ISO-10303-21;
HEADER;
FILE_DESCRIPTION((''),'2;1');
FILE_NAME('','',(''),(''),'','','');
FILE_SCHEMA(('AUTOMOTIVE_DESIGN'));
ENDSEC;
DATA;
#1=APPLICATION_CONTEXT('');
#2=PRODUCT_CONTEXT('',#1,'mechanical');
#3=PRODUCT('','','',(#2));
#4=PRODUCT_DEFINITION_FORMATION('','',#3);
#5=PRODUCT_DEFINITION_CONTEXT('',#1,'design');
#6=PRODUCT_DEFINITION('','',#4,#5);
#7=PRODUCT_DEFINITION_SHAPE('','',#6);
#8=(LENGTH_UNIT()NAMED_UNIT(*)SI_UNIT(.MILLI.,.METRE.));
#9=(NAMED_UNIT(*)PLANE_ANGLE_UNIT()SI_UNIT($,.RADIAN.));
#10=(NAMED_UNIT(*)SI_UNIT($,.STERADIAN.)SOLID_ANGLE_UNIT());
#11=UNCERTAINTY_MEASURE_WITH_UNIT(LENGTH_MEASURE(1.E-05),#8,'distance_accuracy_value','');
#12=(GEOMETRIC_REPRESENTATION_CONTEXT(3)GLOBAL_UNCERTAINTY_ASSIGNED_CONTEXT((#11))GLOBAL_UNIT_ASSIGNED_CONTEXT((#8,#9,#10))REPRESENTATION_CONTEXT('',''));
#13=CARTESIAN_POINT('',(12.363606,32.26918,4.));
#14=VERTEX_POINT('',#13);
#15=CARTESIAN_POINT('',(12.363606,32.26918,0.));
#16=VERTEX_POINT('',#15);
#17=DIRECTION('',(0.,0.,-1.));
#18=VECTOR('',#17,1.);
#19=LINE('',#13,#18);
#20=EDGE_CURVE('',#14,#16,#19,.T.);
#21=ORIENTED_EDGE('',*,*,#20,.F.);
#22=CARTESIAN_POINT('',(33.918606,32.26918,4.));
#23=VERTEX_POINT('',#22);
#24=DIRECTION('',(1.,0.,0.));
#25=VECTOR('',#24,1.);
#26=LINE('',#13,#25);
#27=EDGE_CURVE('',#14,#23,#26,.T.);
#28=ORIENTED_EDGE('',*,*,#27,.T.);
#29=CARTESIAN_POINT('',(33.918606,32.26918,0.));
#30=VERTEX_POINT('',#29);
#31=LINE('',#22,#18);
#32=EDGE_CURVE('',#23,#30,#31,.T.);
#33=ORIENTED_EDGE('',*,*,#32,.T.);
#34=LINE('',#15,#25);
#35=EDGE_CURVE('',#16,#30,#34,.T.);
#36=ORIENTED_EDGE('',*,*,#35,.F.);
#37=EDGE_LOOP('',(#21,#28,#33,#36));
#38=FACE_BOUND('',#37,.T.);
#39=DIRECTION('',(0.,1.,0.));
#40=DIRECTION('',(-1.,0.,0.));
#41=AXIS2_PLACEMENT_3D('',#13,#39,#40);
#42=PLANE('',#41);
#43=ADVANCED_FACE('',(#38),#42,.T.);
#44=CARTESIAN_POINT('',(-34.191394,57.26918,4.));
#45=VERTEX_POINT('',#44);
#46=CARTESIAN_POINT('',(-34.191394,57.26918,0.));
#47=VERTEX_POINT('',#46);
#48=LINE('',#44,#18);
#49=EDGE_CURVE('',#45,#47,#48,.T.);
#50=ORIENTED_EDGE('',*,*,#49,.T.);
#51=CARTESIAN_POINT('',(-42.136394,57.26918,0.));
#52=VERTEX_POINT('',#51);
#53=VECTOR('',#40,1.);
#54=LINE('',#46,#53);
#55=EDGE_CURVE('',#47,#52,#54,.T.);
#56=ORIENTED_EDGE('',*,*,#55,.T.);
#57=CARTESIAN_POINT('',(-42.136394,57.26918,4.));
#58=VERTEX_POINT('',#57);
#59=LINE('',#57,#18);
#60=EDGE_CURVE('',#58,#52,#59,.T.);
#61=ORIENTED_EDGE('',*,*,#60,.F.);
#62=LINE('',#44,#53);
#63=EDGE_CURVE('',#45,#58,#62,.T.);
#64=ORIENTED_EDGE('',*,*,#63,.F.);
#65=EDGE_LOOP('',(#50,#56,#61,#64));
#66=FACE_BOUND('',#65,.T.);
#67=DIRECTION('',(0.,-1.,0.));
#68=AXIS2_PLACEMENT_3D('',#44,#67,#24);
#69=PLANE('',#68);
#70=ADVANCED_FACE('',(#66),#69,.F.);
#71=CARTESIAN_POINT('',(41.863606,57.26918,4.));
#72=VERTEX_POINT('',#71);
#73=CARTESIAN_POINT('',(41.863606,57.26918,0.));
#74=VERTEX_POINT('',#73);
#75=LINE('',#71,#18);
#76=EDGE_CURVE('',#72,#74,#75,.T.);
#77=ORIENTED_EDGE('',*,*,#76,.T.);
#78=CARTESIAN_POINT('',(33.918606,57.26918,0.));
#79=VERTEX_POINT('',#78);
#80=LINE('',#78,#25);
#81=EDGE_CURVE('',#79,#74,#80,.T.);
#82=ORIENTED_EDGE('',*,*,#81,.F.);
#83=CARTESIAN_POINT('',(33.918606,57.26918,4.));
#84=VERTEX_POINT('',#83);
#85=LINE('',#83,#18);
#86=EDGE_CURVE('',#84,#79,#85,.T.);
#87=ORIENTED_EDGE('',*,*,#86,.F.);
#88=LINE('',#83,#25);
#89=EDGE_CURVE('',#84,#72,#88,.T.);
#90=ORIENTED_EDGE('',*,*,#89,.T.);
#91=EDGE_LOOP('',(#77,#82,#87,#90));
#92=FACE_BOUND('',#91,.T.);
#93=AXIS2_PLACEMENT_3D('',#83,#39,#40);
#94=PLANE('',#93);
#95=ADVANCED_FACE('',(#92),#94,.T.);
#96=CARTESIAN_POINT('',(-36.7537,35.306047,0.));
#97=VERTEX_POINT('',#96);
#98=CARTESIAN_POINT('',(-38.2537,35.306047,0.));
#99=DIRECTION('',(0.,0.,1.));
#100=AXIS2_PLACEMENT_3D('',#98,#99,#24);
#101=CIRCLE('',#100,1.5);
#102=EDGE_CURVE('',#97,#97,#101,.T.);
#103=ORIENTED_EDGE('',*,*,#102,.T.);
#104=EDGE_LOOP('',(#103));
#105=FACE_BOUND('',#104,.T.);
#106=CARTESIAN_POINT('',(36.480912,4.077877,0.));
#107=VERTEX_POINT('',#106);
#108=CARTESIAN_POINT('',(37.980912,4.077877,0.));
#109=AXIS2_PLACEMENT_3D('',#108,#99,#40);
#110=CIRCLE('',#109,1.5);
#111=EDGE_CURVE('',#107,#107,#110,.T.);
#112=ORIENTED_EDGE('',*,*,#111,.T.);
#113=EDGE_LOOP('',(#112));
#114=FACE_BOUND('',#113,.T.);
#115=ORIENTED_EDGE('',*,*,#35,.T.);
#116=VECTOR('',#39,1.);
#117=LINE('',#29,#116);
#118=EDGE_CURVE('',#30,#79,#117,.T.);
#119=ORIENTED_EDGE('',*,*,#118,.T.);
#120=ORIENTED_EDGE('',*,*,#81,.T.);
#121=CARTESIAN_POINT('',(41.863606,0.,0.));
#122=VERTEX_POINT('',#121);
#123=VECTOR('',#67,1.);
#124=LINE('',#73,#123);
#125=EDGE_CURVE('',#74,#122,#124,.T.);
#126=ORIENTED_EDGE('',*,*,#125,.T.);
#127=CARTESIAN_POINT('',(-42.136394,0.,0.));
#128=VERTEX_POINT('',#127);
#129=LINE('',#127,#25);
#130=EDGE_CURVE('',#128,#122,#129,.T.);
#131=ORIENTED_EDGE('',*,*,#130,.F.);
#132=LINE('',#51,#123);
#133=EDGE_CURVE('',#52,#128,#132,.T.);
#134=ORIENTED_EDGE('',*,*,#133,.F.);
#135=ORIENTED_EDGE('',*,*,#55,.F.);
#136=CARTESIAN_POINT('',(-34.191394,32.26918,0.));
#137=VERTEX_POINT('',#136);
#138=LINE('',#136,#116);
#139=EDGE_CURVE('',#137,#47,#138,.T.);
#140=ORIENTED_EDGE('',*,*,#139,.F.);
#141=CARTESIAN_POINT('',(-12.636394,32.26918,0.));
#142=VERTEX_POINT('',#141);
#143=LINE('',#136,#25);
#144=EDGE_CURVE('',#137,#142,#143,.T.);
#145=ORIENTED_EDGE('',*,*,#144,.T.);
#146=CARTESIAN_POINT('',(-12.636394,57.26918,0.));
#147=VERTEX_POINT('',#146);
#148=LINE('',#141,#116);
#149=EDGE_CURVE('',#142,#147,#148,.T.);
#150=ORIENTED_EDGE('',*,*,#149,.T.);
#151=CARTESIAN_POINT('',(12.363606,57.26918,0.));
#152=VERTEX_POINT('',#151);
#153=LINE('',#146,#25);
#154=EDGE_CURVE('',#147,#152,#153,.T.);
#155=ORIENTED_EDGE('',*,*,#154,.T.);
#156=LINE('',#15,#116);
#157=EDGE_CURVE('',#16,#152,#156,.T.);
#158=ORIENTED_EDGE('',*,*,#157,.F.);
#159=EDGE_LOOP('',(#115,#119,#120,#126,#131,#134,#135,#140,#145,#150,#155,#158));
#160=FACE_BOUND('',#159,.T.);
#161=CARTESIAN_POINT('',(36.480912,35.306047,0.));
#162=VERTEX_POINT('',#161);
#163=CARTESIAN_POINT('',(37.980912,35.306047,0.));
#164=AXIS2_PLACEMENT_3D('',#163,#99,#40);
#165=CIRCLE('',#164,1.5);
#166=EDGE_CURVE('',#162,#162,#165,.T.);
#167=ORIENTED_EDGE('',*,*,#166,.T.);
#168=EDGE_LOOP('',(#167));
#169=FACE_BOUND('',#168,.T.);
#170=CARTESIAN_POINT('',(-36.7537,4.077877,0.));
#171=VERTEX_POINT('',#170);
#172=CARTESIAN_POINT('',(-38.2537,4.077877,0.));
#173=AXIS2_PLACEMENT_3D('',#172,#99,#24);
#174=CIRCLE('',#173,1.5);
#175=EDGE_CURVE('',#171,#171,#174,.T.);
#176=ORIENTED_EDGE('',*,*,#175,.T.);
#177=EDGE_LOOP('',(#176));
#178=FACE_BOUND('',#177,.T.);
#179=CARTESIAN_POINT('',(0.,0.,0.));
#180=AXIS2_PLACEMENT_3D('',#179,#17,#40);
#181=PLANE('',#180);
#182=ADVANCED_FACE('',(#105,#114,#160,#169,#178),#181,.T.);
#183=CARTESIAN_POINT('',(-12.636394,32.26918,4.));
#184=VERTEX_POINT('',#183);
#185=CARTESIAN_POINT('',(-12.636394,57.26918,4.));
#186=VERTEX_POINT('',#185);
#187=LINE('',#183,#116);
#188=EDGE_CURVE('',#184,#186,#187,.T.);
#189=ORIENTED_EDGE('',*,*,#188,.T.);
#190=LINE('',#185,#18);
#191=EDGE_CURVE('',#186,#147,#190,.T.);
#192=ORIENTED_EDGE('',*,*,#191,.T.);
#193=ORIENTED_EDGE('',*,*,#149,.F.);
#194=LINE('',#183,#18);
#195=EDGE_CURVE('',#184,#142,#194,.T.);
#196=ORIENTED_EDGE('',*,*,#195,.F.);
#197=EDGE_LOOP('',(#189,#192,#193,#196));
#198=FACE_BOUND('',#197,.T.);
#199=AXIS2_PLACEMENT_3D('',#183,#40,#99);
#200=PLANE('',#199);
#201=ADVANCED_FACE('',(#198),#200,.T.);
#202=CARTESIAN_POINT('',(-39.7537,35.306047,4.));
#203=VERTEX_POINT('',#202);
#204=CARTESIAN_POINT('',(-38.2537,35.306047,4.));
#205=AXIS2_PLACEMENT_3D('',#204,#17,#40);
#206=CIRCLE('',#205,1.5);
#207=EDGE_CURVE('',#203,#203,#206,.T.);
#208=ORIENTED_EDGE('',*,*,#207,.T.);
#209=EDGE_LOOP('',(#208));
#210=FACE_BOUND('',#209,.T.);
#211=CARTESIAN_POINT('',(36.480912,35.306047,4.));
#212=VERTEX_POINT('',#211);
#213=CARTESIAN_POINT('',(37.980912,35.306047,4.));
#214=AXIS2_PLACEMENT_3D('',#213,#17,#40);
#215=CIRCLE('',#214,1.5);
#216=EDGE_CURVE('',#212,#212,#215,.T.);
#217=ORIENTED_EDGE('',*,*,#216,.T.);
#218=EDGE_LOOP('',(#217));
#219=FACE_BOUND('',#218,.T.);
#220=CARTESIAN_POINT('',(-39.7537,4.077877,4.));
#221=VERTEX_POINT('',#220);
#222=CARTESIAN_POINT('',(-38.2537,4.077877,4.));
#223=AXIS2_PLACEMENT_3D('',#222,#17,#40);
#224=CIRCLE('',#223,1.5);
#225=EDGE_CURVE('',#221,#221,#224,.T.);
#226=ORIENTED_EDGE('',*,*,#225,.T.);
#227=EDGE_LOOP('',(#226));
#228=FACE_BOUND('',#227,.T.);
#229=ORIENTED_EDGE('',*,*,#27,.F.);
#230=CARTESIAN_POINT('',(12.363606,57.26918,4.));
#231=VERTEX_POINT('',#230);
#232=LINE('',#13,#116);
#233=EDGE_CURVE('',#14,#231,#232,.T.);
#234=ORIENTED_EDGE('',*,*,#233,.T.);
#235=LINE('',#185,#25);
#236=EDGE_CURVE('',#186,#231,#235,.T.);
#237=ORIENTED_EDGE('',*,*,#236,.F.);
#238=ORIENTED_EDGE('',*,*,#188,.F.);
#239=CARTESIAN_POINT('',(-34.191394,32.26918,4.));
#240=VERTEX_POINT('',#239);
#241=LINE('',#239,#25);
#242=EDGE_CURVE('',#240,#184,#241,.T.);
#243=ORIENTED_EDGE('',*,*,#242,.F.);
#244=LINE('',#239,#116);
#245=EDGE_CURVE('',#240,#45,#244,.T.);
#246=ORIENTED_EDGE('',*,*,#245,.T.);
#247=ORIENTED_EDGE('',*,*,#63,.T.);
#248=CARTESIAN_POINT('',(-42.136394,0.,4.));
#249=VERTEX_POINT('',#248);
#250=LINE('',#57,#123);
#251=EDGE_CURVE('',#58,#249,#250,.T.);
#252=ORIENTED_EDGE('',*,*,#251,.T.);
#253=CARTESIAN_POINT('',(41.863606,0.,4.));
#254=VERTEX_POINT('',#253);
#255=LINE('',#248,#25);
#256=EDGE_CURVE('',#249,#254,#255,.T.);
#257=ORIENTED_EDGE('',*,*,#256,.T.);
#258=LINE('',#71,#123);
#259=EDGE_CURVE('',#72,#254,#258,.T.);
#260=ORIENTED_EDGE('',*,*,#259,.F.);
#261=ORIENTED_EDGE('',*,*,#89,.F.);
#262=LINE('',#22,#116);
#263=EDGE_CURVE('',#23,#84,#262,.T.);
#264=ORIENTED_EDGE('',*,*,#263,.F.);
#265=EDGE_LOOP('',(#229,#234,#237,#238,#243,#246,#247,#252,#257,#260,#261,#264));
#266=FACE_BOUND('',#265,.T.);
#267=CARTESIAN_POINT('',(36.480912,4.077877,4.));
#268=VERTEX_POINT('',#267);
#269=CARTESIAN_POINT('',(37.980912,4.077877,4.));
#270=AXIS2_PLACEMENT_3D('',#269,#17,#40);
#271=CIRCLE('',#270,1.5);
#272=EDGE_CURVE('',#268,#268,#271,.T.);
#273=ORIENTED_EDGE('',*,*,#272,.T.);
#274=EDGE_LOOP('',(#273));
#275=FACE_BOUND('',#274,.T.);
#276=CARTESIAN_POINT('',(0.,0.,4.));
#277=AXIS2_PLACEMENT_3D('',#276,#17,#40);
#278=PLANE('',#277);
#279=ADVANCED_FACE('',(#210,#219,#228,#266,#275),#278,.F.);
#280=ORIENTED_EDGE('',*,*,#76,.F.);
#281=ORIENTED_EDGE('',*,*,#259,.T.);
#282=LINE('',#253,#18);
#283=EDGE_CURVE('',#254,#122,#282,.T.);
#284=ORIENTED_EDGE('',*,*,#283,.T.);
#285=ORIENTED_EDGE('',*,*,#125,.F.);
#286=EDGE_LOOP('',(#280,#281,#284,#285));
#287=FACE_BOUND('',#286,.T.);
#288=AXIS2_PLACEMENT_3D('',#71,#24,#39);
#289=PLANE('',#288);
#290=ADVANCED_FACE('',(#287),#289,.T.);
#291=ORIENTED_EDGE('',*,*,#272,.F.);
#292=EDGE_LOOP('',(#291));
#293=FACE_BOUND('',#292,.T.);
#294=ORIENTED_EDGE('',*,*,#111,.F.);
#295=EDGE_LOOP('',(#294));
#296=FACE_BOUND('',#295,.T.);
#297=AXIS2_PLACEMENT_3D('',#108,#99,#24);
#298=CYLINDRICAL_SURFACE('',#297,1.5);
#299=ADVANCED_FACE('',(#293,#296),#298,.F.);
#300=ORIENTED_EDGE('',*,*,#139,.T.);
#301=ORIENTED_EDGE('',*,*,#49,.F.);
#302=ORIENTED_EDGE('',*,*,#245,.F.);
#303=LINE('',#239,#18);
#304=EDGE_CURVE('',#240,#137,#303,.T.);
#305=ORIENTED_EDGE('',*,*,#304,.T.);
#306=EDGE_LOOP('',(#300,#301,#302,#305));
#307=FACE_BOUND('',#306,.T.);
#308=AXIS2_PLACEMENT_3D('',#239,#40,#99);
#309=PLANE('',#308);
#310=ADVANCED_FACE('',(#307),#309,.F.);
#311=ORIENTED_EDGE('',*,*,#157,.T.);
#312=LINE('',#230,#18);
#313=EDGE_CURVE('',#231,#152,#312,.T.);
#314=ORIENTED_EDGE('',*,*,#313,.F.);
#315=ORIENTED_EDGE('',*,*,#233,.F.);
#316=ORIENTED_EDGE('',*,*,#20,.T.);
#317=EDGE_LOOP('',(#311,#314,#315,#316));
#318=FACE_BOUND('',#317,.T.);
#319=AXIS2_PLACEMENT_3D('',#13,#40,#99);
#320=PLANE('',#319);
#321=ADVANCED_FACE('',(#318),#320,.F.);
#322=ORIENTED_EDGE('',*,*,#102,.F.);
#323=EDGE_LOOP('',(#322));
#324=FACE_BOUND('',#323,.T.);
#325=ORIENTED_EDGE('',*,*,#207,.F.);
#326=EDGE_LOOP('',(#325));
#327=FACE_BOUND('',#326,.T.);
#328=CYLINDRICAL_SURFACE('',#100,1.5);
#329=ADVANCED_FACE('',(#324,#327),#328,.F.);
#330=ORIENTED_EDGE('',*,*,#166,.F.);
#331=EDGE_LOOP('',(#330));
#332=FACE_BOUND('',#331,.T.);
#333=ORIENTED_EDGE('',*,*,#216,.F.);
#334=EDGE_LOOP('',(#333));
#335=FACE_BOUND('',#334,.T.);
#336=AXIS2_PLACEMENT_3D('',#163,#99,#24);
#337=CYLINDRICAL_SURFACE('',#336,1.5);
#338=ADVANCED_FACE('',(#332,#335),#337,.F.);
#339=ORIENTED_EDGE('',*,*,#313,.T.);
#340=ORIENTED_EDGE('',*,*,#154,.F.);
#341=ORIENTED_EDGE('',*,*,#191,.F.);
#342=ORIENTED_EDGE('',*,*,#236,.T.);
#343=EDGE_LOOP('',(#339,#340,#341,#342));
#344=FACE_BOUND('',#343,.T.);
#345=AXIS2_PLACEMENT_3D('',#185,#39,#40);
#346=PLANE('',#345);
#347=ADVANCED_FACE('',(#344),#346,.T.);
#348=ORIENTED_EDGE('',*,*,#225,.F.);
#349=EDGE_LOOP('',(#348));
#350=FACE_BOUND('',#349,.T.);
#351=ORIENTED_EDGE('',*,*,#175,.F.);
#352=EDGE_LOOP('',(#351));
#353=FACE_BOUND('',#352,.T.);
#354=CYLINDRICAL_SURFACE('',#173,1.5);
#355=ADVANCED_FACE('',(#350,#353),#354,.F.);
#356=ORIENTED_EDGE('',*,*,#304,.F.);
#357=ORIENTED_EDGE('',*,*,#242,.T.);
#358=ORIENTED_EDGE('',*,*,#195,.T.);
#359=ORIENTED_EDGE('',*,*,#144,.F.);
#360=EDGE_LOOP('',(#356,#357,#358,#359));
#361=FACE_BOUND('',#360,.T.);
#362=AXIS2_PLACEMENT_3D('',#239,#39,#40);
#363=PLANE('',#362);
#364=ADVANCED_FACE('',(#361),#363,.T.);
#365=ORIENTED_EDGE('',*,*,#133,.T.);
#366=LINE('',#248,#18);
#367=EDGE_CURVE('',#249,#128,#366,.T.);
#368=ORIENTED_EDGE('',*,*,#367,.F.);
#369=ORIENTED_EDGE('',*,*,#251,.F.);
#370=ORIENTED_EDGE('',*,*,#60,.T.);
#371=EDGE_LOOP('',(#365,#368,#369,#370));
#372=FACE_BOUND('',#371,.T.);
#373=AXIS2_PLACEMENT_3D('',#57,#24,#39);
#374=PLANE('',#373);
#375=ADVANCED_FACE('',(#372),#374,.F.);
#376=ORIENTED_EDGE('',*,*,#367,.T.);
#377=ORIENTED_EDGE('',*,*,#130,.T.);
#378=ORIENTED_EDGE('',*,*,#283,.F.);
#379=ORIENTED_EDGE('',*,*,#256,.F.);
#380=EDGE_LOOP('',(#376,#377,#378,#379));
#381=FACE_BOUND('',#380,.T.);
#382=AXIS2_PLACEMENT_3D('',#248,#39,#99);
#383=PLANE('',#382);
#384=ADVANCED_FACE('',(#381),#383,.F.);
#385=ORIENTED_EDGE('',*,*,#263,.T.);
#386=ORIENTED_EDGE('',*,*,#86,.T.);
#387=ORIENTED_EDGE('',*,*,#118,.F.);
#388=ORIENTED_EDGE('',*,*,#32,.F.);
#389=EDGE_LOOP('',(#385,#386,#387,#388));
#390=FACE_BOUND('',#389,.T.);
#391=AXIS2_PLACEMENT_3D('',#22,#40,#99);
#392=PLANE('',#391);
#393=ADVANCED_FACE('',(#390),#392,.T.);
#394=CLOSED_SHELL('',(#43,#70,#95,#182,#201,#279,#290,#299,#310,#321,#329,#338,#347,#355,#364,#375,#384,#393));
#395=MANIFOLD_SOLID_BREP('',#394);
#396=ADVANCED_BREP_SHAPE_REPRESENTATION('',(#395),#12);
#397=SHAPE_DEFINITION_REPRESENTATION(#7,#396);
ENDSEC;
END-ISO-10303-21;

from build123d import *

# Parameters (mm, degrees)
EXTRUDE_1_DEPTH          = 4
CUT_EXTRUDE_1_DEPTH      = 72.212602073
CUT_EXTRUDE_1_DEPTH_BACK = 72.212602073
SKETCH_7_R               = 1.5


with BuildPart() as part:
    # 草图1 → 凸台-拉伸1 (new body)
    with BuildSketch(Plane.XY):
        Polygon((-42.136394103, 0), (41.863605897, 0), (41.863605897, 57.269180071), (33.918605897, 57.269180071), (33.918605897, 32.269180071), (12.363605897, 32.269180071), (12.363605897, 57.269180071), (-12.636394103, 57.269180071), (-12.636394103, 32.269180071), (-34.191394103, 32.269180071), (-34.191394103, 57.269180071), (-42.136394103, 57.269180071), align=None)
    extrude(amount=EXTRUDE_1_DEPTH)

    # 草图7 → 切除-拉伸1 (cut, two sides: drawn at the far end of the back side and taken through both)
    with BuildSketch(Plane.XY.offset(4).offset(-CUT_EXTRUDE_1_DEPTH_BACK)):
        with Locations((-38.253699842, 4.077877428)):
            Circle(SKETCH_7_R)
        with Locations((-38.253699842, 35.306046983)):
            Circle(SKETCH_7_R)
        with Locations(Location((37.980911635, 35.306046983, 0), (0, 0, 180))):
            Circle(SKETCH_7_R)
        with Locations(Location((37.980911635, 4.077877428, 0), (0, 0, 180))):
            Circle(SKETCH_7_R)
    extrude(amount=CUT_EXTRUDE_1_DEPTH + CUT_EXTRUDE_1_DEPTH_BACK, mode=Mode.SUBTRACT)


solid = part.part
